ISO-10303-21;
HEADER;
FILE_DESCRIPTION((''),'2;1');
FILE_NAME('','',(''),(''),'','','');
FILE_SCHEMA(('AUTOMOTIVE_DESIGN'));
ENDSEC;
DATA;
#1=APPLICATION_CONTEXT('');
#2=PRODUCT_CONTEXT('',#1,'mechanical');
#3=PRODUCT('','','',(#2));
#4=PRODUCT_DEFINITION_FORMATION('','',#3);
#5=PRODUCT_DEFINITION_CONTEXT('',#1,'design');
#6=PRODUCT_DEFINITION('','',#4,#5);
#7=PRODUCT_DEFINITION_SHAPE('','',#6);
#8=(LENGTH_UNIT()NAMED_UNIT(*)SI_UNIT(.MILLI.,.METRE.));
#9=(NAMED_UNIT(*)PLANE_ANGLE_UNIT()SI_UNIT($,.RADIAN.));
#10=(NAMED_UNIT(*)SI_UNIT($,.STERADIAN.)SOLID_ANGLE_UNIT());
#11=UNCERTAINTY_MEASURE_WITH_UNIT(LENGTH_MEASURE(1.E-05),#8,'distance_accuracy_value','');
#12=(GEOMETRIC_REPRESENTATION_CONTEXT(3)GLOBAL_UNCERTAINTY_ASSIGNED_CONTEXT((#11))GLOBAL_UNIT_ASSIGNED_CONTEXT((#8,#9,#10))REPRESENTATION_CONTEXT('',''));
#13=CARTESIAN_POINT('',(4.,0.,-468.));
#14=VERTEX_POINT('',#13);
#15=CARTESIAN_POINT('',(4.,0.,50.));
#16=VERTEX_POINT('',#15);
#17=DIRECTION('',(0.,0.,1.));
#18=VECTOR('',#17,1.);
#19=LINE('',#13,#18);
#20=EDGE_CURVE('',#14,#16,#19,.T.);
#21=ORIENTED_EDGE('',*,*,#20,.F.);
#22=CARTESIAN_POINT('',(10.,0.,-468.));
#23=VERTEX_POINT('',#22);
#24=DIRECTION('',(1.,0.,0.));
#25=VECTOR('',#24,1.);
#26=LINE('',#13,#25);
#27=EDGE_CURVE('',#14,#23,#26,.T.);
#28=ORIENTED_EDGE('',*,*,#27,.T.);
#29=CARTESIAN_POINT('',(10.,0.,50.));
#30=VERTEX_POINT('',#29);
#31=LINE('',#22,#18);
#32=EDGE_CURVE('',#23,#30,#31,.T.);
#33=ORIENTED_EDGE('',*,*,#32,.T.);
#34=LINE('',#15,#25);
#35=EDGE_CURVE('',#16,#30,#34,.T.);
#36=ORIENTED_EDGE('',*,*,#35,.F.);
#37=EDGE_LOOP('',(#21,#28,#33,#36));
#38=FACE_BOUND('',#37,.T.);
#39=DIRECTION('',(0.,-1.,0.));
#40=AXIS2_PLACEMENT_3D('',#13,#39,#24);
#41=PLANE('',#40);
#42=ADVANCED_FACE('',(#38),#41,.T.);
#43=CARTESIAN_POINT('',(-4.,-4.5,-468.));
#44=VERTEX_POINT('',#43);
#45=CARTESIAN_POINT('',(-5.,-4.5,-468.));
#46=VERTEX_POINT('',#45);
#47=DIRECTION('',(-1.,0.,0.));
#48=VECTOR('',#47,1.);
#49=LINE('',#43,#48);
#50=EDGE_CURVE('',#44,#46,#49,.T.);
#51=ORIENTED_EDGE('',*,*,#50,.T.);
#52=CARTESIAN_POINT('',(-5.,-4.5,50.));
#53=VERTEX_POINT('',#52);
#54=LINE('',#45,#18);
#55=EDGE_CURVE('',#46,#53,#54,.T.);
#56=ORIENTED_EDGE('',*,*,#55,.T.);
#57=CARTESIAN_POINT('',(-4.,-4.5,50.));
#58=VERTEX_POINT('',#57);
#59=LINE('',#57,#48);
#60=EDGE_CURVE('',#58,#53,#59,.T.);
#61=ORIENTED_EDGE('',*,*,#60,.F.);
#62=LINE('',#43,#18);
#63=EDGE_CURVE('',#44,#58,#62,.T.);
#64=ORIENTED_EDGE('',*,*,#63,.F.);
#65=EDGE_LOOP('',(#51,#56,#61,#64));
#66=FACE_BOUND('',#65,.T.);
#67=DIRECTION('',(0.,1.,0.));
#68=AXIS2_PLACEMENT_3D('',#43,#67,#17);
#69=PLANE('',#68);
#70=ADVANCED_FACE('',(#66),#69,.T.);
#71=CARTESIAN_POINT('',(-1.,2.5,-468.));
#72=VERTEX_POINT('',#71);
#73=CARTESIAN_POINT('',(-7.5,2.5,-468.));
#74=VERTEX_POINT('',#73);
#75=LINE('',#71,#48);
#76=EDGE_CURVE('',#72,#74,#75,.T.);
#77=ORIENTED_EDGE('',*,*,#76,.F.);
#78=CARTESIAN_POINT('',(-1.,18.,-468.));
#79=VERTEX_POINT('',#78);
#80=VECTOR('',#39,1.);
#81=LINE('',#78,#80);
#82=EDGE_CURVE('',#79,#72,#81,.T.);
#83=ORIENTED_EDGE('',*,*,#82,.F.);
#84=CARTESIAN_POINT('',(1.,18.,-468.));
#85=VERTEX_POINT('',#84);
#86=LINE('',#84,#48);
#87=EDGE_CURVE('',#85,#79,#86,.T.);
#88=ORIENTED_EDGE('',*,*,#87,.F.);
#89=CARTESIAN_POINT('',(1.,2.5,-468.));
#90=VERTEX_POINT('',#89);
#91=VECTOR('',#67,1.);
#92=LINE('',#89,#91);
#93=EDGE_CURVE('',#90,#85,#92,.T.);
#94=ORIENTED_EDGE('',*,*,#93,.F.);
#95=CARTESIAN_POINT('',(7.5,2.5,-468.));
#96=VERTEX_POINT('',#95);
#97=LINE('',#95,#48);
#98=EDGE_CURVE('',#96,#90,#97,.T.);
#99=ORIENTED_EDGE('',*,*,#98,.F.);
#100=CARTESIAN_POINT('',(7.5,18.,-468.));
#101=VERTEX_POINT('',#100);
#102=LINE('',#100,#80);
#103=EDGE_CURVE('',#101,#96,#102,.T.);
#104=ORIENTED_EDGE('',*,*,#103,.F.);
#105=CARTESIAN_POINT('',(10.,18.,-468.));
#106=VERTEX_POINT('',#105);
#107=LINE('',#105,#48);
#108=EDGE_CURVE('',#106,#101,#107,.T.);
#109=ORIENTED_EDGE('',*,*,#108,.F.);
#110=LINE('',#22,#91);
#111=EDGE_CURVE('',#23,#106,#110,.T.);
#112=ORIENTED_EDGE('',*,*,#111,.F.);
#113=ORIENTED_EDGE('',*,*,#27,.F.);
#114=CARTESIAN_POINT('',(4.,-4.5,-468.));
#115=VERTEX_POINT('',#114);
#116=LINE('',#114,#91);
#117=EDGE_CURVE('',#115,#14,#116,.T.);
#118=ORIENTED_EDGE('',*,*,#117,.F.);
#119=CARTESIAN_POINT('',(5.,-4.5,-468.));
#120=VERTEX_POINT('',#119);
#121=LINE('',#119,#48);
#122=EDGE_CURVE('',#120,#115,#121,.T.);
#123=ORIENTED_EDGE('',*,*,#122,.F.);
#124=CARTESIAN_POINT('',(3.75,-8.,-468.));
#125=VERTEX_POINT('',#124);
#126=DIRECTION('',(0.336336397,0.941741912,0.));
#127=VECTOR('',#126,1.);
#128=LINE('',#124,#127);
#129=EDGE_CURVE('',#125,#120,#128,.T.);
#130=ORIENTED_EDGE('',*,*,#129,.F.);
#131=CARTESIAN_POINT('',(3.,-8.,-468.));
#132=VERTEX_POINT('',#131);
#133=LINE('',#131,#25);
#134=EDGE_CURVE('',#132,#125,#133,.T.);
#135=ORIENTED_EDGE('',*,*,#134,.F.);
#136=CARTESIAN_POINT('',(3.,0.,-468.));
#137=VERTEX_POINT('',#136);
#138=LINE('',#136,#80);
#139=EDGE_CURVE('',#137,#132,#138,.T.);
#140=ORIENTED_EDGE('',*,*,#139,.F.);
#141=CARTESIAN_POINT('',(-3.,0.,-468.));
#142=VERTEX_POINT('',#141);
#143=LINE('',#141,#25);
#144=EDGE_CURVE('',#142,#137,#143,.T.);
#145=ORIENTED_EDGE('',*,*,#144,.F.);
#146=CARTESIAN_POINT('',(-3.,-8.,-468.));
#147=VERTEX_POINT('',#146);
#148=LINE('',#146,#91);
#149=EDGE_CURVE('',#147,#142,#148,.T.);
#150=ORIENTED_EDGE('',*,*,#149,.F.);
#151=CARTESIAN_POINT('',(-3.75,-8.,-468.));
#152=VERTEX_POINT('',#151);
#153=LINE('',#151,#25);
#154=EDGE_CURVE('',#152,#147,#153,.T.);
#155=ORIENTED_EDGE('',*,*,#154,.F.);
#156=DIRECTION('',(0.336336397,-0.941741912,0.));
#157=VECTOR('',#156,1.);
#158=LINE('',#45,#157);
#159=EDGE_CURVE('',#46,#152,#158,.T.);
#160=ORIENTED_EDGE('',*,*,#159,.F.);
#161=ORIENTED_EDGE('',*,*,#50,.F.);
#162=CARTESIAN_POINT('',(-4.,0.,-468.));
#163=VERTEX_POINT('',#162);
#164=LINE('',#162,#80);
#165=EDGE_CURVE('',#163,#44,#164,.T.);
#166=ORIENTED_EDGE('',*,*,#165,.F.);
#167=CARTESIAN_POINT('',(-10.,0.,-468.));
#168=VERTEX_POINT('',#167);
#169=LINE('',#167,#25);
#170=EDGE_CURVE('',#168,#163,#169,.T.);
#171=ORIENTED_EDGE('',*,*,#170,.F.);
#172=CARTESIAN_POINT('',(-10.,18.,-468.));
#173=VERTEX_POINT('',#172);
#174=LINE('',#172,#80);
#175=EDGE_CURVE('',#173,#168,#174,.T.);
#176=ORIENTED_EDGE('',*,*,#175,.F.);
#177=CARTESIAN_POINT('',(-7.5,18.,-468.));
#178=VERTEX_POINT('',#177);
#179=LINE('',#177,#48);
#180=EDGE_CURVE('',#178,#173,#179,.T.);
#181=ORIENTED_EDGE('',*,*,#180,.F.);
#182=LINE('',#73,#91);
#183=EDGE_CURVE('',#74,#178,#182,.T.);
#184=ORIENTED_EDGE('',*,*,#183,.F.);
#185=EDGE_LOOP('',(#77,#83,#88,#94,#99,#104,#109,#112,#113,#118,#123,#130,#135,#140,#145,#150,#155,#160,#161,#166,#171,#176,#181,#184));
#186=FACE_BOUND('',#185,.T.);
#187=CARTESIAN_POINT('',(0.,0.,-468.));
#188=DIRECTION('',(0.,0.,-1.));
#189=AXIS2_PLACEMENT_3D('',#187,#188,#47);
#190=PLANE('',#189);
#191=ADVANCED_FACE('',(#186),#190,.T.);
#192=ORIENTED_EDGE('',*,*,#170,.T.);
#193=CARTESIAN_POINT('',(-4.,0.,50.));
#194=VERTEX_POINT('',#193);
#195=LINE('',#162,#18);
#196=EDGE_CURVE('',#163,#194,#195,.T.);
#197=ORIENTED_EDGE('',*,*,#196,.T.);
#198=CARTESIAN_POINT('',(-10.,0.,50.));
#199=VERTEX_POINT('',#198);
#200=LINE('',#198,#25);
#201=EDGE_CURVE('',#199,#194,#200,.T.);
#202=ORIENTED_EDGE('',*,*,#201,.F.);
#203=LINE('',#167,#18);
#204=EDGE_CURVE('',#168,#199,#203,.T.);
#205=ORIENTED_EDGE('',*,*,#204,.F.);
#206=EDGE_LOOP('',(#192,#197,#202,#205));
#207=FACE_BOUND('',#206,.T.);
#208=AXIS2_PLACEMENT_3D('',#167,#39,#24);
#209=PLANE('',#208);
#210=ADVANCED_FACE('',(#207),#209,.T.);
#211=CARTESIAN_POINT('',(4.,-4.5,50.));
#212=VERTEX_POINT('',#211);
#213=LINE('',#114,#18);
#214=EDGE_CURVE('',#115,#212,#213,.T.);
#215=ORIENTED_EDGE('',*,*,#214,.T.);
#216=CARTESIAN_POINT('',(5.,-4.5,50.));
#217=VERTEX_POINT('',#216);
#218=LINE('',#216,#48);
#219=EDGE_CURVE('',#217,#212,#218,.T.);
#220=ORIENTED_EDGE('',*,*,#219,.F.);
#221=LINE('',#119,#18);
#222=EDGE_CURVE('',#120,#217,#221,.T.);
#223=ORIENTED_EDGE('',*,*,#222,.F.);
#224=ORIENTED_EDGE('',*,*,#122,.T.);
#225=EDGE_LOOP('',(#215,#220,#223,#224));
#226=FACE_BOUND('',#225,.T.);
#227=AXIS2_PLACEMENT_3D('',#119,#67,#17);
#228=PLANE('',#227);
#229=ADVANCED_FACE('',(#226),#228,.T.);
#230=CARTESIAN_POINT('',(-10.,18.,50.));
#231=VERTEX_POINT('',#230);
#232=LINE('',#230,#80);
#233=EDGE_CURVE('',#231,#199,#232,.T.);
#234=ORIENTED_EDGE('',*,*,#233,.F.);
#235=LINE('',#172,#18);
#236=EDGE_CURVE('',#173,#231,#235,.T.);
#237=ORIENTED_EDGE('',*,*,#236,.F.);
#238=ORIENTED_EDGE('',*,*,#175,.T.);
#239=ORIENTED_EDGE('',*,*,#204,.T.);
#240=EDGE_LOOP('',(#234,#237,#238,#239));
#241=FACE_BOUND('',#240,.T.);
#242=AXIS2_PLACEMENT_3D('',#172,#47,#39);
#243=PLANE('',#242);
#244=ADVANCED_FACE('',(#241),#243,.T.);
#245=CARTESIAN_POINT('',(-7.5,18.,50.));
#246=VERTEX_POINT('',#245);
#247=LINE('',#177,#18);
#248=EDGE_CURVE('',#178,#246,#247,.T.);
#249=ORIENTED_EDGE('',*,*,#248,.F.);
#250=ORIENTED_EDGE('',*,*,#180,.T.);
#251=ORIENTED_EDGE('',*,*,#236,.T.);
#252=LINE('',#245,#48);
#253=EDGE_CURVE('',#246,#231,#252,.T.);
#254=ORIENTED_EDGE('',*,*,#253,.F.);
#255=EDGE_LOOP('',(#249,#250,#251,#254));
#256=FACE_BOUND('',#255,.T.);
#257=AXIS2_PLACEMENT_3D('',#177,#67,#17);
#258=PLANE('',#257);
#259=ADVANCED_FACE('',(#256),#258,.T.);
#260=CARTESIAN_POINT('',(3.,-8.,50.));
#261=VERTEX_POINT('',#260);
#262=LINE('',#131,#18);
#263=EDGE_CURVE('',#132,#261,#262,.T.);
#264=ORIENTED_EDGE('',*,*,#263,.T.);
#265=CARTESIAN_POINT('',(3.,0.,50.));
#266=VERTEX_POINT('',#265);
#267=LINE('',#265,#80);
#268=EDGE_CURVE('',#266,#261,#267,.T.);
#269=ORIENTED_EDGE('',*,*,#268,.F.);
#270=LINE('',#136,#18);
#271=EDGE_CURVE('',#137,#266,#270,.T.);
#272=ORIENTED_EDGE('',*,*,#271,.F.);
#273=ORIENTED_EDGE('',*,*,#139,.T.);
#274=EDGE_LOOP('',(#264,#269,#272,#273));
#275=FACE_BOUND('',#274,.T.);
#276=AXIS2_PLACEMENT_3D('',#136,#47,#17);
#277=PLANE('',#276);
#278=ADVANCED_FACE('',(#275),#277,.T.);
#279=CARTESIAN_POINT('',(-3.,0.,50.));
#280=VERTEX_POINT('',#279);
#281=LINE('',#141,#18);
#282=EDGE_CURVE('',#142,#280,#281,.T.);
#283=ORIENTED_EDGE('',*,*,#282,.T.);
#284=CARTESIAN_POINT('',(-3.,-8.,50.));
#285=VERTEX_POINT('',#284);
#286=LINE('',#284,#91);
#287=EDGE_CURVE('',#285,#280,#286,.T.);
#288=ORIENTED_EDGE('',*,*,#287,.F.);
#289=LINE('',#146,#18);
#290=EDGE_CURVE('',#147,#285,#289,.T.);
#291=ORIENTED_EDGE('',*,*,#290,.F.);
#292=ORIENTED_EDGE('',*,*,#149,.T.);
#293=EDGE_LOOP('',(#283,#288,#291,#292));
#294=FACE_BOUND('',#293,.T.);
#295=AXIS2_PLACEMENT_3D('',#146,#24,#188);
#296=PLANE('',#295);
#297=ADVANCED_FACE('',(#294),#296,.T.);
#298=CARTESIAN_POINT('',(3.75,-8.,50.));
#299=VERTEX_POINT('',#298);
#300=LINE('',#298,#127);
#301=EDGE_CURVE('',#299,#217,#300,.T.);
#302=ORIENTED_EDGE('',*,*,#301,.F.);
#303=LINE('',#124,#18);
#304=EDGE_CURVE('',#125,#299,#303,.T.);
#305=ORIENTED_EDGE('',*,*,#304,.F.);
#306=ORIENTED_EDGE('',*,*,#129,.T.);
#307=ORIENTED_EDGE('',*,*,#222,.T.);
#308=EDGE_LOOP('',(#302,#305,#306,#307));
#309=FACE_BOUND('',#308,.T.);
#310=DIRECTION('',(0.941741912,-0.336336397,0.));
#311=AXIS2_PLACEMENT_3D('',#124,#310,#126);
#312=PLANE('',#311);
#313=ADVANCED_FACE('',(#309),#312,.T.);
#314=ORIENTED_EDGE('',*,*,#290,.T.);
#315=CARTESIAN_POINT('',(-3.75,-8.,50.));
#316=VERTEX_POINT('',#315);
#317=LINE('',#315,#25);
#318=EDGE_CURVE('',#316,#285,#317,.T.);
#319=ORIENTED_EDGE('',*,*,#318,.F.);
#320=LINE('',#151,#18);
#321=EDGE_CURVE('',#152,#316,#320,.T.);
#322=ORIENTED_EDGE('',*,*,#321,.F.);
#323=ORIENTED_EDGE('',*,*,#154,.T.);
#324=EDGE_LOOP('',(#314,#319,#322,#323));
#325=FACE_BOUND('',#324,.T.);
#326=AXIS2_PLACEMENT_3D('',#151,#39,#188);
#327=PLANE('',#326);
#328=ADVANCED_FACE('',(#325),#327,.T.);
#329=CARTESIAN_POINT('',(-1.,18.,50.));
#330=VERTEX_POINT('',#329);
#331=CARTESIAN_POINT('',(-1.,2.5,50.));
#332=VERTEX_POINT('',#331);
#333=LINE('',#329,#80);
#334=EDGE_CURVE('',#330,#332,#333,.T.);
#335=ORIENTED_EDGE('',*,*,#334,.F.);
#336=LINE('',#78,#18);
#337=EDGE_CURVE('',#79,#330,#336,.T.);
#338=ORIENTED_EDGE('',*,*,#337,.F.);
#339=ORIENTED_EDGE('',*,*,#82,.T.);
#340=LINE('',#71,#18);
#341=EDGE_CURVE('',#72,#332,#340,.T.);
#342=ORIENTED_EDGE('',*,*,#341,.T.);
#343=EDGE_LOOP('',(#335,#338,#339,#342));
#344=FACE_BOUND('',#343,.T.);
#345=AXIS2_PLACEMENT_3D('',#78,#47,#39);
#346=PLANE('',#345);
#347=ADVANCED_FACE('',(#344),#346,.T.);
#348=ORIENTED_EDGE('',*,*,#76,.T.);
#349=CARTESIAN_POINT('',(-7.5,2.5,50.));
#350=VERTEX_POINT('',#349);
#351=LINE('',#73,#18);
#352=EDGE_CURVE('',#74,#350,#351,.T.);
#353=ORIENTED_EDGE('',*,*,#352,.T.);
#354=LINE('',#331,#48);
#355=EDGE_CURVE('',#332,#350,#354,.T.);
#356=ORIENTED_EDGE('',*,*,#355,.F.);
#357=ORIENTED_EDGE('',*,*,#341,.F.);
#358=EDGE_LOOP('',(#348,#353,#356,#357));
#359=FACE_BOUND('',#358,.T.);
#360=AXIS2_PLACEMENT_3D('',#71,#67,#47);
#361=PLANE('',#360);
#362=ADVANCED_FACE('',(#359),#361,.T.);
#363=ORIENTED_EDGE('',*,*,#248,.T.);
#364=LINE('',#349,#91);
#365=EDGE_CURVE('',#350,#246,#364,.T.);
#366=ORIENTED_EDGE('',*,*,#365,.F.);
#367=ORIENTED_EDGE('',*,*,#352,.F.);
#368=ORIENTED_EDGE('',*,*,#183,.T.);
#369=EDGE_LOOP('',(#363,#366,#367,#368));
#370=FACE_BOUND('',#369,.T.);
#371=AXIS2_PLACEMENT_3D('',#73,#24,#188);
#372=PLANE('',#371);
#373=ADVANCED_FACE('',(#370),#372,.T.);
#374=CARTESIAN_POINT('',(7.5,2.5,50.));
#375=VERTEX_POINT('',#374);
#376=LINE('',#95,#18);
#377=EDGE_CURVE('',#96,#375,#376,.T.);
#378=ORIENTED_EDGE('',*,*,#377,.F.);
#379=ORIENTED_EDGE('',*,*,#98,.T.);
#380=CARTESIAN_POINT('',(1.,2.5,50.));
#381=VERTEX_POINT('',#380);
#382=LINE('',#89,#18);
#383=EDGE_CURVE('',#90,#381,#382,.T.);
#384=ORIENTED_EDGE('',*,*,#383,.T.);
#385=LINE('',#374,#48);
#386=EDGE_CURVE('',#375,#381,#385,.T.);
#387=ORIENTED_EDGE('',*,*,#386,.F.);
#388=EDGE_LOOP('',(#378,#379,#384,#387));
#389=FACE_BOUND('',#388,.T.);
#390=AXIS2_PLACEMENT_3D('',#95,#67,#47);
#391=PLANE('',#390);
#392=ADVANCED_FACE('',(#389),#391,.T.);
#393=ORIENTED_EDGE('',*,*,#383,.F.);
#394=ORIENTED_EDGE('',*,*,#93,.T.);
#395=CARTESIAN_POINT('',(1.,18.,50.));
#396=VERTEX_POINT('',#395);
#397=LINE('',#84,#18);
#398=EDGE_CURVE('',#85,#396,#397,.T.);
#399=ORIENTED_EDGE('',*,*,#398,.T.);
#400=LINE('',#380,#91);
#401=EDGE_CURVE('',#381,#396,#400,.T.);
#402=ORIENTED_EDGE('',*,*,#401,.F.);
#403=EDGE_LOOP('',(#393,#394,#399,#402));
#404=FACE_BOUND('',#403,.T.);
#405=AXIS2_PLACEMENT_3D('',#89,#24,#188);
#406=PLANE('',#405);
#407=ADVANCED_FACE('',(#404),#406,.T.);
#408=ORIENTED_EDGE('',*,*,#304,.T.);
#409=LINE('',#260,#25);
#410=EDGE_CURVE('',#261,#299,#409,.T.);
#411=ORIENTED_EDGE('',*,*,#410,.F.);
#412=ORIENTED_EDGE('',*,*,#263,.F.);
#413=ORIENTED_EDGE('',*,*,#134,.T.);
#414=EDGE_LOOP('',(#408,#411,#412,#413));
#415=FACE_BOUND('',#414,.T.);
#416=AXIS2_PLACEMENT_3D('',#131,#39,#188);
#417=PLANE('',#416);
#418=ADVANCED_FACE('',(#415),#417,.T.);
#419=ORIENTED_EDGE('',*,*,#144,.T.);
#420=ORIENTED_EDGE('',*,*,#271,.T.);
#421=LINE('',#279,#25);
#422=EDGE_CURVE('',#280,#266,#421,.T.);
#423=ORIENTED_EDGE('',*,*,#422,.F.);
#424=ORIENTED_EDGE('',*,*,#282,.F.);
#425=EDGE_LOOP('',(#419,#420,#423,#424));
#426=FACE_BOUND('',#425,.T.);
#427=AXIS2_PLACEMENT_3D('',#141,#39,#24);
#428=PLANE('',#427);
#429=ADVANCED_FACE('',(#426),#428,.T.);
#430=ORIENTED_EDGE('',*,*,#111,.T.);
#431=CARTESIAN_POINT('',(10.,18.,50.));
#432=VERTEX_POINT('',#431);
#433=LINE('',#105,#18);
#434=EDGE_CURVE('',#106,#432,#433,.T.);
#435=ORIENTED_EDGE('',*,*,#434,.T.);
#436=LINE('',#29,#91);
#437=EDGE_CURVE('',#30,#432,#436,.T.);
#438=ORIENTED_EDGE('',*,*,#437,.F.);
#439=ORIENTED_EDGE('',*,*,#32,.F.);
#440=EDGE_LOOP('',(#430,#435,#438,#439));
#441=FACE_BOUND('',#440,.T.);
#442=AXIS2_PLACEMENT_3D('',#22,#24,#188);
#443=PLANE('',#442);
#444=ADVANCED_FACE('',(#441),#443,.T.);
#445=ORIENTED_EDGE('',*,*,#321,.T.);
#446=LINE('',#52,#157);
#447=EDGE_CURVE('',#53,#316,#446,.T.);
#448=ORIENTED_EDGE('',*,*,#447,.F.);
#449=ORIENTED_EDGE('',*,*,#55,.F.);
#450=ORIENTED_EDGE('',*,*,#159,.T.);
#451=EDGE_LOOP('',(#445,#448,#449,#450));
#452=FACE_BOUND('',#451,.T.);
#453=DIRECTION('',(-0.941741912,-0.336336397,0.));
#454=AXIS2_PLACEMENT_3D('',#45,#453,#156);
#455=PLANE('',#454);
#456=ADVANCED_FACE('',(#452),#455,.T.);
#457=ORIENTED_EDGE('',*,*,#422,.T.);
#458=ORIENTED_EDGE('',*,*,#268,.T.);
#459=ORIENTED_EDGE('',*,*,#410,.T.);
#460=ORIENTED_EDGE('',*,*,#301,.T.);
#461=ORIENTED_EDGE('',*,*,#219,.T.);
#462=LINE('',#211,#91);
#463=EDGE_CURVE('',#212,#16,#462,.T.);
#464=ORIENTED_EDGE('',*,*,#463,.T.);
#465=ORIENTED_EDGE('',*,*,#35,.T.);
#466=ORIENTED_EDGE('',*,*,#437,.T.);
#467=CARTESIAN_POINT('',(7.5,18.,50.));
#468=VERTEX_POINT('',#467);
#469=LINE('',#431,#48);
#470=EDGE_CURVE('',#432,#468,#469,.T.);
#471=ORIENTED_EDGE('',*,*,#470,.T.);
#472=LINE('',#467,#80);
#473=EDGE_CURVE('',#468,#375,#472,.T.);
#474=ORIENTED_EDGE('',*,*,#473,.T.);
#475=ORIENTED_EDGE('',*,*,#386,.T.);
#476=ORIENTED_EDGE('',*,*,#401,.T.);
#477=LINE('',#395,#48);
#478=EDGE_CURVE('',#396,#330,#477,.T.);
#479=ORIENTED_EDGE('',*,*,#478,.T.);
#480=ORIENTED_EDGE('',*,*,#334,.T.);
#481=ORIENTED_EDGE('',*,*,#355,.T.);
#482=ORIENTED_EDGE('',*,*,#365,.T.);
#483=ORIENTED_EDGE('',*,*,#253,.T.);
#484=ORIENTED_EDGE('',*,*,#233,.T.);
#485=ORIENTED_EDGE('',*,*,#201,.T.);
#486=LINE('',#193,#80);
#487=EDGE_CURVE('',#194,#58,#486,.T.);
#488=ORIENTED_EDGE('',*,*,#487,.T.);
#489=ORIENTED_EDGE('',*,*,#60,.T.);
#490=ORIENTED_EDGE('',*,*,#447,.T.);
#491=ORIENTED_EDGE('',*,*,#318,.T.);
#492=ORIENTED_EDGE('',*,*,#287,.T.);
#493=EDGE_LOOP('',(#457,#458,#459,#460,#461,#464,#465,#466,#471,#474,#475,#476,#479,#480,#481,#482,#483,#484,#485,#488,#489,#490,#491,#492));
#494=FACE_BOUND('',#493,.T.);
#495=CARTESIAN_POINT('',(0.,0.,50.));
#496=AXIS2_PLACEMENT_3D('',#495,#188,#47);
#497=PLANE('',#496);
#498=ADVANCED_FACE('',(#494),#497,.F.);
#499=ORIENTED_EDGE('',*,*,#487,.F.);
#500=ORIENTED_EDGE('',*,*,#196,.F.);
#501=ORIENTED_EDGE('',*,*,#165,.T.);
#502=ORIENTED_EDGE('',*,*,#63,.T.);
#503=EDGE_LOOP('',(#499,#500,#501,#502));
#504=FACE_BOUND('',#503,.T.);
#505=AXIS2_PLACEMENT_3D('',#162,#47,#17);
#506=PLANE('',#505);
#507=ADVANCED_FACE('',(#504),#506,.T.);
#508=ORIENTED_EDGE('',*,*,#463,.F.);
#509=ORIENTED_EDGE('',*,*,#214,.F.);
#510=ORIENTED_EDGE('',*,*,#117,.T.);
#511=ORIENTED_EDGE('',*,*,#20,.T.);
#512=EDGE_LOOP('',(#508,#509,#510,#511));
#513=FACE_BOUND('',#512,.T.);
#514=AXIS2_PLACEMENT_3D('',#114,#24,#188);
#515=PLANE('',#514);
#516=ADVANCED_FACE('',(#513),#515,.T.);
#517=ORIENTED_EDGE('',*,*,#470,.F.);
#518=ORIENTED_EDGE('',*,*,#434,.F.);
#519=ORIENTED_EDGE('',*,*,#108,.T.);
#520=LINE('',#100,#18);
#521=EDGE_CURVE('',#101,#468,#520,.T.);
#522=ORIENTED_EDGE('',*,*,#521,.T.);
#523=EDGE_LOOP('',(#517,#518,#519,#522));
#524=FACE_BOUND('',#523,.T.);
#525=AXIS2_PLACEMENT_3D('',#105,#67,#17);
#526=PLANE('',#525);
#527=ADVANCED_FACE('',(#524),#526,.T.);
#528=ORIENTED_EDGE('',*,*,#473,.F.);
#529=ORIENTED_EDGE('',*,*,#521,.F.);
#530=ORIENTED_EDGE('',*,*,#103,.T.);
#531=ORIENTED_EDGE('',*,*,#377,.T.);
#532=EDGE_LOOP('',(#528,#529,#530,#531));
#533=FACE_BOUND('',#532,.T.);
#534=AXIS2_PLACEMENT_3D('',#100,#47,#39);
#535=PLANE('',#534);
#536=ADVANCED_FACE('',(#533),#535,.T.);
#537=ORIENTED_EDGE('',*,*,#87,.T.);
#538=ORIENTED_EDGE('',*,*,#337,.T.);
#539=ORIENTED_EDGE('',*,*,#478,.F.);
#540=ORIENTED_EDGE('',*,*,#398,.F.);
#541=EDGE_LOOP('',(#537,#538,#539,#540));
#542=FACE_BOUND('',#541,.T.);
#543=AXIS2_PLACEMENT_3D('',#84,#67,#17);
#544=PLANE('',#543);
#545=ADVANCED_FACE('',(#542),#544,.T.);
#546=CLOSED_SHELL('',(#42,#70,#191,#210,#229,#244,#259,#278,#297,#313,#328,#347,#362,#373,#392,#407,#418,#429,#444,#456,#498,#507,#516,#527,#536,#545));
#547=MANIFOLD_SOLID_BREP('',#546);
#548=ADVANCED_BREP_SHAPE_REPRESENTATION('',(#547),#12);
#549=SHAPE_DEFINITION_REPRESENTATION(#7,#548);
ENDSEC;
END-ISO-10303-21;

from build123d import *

# Parameters (mm, degrees)
BOSS_EXTRU_1_DEPTH = 518


with BuildPart() as part:
    # Esquisse1 → Boss.-Extru.1 (new body)
    with BuildSketch(Plane.XY.offset(50)):
        Polygon((-1, 2.5), (-7.5, 2.5), (-7.5, 17.999999998), (-10, 17.999999998), (-10, 0), (-4, 0), (-4, -4.5), (-5, -4.5), (-3.75, -8), (-3, -8), (-3, 0), (3, 0), (3, -8), (3.75, -8), (5, -4.5), (4, -4.5), (4, 0), (10, 0), (10, 17.999999998), (7.5, 17.999999998), (7.5, 2.5), (1, 2.5), (1, 17.999999998), (-1, 17.999999998), align=None)
    extrude(amount=-BOSS_EXTRU_1_DEPTH)


solid = part.part
